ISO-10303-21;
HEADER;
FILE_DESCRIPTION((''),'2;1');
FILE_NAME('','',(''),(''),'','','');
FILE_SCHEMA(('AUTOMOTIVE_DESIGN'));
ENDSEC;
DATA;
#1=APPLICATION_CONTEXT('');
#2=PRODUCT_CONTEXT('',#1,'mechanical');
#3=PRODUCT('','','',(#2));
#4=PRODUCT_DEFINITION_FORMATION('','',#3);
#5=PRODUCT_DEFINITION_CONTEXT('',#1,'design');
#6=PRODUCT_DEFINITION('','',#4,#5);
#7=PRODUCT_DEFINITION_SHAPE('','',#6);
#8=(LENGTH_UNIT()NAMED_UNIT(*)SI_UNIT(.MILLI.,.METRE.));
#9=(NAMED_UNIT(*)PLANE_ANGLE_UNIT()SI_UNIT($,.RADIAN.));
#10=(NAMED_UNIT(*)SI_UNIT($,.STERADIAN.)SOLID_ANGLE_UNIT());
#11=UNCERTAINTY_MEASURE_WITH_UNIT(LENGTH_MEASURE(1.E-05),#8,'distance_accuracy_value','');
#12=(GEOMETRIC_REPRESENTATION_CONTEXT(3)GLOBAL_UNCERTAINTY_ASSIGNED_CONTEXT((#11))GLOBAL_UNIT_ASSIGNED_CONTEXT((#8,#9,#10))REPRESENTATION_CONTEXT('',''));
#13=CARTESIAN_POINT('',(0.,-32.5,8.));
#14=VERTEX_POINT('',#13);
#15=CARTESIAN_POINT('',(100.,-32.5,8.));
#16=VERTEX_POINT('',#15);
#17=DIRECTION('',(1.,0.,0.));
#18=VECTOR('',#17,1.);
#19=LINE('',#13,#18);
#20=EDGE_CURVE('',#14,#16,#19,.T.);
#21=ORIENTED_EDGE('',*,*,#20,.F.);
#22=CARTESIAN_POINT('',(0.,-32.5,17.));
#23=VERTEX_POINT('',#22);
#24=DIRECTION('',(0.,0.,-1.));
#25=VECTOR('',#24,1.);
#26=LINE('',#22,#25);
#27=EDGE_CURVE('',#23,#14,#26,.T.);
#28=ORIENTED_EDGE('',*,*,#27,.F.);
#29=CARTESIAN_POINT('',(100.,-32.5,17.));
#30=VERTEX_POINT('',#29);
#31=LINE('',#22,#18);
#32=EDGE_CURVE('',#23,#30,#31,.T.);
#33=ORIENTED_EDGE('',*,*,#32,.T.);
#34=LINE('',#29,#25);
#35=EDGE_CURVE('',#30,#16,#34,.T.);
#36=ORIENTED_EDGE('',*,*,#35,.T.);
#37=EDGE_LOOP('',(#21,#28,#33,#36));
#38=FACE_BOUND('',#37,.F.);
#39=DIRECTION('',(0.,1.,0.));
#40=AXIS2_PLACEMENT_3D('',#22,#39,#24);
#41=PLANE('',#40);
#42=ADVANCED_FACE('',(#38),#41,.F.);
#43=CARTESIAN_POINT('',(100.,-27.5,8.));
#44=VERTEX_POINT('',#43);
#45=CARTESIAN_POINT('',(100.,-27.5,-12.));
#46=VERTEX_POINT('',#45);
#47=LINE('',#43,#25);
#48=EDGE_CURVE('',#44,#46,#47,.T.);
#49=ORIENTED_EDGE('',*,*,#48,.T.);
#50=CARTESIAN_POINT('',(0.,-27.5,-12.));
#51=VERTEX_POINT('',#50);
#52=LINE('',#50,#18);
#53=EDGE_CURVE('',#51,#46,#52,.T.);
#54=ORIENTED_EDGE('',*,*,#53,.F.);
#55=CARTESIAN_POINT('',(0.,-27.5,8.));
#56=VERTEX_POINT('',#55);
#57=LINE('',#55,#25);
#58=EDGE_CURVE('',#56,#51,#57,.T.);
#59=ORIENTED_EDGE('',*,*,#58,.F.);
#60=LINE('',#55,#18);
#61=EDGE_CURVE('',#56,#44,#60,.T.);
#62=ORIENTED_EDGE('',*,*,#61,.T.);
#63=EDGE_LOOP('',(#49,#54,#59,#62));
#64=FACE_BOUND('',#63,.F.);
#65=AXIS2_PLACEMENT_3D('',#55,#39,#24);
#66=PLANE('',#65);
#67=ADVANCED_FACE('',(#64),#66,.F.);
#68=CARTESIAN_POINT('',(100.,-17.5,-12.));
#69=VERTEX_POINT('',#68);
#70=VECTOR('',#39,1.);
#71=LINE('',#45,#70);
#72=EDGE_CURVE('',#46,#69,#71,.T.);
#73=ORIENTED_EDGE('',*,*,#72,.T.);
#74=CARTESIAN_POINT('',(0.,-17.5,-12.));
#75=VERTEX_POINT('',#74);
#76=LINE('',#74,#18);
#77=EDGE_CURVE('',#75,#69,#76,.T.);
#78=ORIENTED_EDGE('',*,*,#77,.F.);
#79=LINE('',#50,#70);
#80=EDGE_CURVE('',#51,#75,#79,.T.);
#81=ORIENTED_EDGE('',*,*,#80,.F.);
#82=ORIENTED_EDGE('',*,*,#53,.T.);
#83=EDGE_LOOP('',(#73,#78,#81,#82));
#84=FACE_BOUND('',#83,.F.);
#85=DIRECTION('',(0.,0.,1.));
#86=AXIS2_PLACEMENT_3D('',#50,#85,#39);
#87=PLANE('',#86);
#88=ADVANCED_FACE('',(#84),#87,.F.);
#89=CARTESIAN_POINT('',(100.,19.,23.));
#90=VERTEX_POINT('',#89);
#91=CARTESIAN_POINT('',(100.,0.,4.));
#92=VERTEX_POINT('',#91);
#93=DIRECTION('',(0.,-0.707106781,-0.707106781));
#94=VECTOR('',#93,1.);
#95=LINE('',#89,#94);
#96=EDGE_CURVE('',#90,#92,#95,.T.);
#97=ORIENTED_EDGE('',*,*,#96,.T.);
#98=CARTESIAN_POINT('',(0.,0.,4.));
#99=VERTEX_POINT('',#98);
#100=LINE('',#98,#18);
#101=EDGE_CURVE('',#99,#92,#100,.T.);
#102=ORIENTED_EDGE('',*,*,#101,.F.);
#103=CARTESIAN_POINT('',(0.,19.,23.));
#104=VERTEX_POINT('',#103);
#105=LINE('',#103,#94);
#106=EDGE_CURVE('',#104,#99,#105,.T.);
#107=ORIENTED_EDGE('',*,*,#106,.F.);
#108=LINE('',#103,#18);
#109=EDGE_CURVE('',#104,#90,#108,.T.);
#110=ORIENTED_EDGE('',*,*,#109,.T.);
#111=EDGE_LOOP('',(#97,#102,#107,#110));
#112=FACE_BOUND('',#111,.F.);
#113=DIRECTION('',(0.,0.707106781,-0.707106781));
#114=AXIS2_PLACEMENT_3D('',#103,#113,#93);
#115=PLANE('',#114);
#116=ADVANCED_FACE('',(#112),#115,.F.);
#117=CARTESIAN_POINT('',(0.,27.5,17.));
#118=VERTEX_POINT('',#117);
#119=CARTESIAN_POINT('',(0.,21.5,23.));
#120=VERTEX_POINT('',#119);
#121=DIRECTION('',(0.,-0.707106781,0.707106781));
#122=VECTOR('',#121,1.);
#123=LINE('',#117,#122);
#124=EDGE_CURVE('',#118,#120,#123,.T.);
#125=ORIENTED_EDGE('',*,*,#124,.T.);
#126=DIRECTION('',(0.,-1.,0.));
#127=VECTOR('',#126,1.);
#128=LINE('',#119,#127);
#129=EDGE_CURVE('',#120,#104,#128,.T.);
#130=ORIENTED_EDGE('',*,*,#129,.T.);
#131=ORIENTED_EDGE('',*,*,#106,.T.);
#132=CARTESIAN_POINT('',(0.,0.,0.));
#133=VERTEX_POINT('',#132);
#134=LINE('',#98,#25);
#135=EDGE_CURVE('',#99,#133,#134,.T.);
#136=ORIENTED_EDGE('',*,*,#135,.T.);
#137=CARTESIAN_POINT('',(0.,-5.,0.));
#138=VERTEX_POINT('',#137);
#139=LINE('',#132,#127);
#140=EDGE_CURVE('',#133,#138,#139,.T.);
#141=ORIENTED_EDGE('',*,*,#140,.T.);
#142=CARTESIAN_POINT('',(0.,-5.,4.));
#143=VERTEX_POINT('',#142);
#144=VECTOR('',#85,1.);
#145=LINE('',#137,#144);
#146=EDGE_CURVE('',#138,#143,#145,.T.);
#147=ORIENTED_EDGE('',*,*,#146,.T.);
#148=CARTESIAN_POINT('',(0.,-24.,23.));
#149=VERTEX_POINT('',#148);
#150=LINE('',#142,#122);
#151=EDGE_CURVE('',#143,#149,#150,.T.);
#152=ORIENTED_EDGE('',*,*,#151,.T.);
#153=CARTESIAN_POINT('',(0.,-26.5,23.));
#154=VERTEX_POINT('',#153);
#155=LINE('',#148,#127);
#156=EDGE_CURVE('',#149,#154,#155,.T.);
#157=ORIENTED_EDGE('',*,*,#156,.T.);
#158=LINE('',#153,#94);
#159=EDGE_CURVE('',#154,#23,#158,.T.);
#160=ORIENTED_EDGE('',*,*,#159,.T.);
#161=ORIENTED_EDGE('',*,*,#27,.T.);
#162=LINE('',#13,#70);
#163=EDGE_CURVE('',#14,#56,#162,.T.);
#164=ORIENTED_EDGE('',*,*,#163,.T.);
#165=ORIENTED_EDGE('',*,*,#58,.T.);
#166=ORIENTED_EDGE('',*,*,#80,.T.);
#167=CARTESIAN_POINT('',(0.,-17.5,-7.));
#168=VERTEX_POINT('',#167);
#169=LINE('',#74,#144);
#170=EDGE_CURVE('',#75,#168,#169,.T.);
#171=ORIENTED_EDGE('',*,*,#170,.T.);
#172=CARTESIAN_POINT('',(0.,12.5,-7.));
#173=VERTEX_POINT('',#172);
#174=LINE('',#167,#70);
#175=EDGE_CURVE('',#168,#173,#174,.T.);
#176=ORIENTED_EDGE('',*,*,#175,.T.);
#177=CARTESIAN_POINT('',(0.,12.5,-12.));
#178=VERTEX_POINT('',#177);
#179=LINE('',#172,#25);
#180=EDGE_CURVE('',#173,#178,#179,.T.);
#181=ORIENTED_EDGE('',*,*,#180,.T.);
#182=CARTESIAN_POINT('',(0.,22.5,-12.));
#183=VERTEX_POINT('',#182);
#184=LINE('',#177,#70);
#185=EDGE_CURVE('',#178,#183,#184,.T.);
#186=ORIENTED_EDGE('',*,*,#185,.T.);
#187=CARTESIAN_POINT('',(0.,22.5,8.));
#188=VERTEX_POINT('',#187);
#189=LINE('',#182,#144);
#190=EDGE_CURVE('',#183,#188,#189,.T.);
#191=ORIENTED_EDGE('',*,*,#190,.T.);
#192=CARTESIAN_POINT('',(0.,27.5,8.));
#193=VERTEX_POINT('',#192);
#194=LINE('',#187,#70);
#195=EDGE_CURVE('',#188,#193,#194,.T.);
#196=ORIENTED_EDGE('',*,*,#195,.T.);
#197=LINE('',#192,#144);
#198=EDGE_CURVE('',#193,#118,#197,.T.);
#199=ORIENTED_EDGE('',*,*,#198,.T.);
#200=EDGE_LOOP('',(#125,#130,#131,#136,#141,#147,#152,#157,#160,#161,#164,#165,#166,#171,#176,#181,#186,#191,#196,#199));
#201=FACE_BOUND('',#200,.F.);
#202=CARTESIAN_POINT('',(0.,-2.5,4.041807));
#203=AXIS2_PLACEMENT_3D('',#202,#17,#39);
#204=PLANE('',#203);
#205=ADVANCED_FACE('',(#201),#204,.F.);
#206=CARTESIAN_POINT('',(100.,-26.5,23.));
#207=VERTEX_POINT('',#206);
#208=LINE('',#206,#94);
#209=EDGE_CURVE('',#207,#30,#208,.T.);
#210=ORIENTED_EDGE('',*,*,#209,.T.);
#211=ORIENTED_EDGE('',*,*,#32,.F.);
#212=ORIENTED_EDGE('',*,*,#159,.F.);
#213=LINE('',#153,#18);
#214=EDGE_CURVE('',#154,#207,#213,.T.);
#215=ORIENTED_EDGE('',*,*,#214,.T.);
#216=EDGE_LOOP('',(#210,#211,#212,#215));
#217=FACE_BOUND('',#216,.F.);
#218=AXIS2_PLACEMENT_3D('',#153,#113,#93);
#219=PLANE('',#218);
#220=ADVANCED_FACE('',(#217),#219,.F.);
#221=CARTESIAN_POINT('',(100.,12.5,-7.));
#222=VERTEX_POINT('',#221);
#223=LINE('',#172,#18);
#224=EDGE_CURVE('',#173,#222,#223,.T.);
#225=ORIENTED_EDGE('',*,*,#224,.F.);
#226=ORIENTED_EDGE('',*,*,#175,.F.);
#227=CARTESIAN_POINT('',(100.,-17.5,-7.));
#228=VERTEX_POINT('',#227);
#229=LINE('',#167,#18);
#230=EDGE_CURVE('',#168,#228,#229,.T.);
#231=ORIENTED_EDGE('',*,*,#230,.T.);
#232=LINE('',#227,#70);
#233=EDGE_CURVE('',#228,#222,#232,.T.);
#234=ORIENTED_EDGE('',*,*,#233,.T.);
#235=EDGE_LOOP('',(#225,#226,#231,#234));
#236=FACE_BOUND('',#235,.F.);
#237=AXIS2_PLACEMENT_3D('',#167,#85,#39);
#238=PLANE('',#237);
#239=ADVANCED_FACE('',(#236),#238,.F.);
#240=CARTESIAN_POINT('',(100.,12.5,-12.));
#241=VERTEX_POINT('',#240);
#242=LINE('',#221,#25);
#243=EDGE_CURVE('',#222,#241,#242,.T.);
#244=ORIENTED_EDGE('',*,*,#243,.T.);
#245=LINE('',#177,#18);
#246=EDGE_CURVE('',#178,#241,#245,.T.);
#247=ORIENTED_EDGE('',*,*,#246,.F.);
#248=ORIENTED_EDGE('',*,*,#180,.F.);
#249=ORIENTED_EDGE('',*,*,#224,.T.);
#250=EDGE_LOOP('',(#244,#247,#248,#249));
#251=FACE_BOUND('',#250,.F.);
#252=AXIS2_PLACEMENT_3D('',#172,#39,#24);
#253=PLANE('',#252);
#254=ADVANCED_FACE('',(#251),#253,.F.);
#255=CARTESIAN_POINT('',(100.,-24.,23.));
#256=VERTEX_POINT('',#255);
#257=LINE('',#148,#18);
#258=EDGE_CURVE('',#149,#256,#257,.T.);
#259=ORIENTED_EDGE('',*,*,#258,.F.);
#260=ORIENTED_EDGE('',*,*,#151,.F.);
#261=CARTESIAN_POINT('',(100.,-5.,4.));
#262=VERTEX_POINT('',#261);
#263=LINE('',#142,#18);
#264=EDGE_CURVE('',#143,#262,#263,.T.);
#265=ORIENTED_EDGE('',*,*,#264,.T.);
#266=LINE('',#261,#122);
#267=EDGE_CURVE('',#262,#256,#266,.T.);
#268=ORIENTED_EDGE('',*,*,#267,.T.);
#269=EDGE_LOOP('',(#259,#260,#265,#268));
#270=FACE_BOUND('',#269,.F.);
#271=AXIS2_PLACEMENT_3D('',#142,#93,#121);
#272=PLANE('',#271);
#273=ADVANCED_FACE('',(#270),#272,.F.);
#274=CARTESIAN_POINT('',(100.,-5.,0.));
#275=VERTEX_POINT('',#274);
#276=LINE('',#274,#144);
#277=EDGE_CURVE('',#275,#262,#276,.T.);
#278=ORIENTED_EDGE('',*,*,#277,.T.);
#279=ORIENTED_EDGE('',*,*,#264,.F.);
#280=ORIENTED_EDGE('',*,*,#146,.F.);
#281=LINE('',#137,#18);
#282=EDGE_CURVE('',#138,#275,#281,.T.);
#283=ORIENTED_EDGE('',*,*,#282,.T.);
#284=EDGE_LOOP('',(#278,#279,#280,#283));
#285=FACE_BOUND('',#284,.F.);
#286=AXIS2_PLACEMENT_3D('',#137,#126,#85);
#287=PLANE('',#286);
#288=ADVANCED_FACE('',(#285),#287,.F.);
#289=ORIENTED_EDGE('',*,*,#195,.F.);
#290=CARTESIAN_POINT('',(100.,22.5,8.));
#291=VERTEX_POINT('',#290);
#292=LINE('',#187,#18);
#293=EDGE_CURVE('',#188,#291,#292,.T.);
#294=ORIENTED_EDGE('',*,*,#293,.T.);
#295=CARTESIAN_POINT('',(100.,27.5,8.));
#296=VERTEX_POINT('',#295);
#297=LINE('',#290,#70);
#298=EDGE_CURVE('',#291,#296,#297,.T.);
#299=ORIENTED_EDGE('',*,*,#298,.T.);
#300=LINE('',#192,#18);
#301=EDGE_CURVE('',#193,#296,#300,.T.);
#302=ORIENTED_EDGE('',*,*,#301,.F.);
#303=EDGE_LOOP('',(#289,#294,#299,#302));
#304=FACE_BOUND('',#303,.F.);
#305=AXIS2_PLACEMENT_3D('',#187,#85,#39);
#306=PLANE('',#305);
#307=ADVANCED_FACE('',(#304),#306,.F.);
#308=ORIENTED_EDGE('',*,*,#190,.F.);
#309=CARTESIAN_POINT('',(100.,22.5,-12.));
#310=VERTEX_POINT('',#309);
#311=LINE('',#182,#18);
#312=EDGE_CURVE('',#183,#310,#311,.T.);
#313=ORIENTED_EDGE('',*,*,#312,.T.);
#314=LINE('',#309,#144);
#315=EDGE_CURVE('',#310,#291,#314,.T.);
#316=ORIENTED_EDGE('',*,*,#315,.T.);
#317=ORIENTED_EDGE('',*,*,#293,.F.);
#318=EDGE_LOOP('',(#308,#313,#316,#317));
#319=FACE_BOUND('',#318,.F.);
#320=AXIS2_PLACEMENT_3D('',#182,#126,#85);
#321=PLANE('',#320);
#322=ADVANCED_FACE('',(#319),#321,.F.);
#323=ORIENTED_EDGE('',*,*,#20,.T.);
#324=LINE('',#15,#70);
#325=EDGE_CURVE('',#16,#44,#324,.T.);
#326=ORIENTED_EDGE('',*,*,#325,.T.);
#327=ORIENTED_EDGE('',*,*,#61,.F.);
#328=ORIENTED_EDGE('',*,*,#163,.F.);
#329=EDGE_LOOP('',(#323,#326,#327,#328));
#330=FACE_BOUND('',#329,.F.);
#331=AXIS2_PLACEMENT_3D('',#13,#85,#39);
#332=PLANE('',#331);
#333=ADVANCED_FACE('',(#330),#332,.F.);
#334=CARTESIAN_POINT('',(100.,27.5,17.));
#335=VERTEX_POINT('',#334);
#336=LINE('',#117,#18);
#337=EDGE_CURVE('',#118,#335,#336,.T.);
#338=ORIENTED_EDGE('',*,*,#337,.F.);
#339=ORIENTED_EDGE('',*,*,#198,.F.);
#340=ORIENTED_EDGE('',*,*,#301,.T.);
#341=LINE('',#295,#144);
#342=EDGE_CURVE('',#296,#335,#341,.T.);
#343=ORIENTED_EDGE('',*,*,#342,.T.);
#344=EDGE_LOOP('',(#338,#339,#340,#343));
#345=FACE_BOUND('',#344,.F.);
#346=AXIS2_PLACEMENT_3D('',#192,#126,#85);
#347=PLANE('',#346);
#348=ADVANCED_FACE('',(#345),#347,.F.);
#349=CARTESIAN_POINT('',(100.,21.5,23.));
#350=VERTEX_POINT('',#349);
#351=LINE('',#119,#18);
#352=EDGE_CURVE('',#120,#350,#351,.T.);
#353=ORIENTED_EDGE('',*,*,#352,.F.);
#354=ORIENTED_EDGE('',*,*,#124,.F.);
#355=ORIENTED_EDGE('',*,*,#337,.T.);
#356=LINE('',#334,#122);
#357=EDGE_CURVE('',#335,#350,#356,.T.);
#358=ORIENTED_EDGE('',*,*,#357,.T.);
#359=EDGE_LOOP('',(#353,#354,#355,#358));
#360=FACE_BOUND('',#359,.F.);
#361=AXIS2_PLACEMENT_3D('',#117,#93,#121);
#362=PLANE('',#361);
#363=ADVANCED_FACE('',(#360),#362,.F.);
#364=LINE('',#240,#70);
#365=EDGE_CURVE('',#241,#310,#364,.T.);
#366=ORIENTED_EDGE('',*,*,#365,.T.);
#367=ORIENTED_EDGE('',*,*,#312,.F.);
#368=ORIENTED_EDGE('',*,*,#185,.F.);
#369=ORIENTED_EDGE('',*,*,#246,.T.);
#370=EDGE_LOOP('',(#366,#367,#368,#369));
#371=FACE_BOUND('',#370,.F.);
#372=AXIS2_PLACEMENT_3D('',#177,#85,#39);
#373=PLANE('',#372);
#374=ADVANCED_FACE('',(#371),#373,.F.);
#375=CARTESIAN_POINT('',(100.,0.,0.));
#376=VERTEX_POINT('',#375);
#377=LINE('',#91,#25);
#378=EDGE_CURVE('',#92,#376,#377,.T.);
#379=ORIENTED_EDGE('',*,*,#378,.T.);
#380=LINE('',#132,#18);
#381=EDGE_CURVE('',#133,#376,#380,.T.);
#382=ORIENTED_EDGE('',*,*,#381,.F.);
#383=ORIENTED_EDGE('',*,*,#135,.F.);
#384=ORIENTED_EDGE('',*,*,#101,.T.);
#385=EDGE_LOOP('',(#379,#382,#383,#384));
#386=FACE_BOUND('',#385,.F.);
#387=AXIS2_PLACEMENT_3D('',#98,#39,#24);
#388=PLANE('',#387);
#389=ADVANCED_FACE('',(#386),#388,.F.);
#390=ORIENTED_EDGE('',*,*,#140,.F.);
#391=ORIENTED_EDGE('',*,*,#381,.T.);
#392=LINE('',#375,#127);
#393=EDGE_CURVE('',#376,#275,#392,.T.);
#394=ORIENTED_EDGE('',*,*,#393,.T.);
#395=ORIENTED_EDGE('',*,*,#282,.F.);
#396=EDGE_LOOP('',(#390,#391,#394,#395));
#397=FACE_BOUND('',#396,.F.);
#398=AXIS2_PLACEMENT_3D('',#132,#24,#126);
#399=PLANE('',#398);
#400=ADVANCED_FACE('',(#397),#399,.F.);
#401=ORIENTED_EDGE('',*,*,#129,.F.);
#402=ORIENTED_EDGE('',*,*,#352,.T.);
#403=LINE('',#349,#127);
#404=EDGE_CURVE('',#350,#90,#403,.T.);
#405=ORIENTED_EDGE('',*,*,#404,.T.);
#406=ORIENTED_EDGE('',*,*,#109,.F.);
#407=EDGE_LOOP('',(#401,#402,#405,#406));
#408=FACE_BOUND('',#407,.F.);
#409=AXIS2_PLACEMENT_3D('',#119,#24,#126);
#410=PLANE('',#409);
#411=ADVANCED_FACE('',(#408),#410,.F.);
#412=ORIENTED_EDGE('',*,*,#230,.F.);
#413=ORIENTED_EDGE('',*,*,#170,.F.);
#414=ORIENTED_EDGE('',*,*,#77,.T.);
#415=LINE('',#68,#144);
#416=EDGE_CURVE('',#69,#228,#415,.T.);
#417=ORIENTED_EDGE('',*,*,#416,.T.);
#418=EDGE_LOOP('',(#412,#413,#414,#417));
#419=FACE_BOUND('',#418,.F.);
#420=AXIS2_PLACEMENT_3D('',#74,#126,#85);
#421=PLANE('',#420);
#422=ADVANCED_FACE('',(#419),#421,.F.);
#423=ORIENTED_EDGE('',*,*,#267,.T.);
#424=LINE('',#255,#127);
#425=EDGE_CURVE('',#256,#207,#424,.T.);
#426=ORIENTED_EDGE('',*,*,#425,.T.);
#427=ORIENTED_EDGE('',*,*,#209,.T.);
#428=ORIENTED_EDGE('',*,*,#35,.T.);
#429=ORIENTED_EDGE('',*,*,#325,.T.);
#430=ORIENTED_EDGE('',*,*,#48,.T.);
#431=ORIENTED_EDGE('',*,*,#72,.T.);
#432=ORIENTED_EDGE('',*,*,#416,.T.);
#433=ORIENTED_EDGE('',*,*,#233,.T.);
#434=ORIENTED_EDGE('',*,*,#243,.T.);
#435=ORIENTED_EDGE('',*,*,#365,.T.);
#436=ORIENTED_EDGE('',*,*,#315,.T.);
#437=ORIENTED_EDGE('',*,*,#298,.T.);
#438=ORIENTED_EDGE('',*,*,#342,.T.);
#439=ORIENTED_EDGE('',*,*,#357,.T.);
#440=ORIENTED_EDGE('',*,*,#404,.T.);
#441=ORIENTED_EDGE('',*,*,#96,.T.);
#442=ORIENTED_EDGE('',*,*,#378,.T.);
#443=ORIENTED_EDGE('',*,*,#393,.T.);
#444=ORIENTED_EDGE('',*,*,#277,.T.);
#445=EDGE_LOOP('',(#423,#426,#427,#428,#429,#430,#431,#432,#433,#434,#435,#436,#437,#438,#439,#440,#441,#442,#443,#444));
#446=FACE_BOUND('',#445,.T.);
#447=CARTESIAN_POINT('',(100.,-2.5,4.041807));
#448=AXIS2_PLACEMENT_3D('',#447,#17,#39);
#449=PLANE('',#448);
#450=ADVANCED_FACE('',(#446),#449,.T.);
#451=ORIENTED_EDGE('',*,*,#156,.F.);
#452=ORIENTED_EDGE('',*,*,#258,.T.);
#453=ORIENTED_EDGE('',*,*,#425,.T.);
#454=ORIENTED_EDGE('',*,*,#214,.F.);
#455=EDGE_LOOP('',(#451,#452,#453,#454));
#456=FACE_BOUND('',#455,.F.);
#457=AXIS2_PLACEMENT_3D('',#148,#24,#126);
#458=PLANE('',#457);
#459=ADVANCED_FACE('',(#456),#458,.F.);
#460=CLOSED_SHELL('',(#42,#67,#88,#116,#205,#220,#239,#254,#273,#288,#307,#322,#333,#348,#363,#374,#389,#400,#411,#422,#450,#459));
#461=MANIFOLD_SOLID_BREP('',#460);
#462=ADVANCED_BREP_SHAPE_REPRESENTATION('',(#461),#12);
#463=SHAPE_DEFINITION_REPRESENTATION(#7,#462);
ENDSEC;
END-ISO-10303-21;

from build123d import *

# Parameters (mm, degrees)
F1_DEPTH = 100


with BuildPart() as f1:
    # F0 (on Right) → F1 (new body)
    with BuildSketch(Plane.YZ):
        Polygon((0, 4), (0, 0), (-5, 0), (-5, 4), (-24, 23), (-26.5, 23), (-32.5, 17), (-32.5, 8), (-27.5, 8), (-27.5, -12), (-17.5, -12), (-17.5, -7), (12.5, -7), (12.5, -12), (22.5, -12), (22.5, 8), (27.5, 8), (27.5, 17), (21.5, 23), (19, 23), align=None)
    extrude(amount=F1_DEPTH)


solid = f1.part
